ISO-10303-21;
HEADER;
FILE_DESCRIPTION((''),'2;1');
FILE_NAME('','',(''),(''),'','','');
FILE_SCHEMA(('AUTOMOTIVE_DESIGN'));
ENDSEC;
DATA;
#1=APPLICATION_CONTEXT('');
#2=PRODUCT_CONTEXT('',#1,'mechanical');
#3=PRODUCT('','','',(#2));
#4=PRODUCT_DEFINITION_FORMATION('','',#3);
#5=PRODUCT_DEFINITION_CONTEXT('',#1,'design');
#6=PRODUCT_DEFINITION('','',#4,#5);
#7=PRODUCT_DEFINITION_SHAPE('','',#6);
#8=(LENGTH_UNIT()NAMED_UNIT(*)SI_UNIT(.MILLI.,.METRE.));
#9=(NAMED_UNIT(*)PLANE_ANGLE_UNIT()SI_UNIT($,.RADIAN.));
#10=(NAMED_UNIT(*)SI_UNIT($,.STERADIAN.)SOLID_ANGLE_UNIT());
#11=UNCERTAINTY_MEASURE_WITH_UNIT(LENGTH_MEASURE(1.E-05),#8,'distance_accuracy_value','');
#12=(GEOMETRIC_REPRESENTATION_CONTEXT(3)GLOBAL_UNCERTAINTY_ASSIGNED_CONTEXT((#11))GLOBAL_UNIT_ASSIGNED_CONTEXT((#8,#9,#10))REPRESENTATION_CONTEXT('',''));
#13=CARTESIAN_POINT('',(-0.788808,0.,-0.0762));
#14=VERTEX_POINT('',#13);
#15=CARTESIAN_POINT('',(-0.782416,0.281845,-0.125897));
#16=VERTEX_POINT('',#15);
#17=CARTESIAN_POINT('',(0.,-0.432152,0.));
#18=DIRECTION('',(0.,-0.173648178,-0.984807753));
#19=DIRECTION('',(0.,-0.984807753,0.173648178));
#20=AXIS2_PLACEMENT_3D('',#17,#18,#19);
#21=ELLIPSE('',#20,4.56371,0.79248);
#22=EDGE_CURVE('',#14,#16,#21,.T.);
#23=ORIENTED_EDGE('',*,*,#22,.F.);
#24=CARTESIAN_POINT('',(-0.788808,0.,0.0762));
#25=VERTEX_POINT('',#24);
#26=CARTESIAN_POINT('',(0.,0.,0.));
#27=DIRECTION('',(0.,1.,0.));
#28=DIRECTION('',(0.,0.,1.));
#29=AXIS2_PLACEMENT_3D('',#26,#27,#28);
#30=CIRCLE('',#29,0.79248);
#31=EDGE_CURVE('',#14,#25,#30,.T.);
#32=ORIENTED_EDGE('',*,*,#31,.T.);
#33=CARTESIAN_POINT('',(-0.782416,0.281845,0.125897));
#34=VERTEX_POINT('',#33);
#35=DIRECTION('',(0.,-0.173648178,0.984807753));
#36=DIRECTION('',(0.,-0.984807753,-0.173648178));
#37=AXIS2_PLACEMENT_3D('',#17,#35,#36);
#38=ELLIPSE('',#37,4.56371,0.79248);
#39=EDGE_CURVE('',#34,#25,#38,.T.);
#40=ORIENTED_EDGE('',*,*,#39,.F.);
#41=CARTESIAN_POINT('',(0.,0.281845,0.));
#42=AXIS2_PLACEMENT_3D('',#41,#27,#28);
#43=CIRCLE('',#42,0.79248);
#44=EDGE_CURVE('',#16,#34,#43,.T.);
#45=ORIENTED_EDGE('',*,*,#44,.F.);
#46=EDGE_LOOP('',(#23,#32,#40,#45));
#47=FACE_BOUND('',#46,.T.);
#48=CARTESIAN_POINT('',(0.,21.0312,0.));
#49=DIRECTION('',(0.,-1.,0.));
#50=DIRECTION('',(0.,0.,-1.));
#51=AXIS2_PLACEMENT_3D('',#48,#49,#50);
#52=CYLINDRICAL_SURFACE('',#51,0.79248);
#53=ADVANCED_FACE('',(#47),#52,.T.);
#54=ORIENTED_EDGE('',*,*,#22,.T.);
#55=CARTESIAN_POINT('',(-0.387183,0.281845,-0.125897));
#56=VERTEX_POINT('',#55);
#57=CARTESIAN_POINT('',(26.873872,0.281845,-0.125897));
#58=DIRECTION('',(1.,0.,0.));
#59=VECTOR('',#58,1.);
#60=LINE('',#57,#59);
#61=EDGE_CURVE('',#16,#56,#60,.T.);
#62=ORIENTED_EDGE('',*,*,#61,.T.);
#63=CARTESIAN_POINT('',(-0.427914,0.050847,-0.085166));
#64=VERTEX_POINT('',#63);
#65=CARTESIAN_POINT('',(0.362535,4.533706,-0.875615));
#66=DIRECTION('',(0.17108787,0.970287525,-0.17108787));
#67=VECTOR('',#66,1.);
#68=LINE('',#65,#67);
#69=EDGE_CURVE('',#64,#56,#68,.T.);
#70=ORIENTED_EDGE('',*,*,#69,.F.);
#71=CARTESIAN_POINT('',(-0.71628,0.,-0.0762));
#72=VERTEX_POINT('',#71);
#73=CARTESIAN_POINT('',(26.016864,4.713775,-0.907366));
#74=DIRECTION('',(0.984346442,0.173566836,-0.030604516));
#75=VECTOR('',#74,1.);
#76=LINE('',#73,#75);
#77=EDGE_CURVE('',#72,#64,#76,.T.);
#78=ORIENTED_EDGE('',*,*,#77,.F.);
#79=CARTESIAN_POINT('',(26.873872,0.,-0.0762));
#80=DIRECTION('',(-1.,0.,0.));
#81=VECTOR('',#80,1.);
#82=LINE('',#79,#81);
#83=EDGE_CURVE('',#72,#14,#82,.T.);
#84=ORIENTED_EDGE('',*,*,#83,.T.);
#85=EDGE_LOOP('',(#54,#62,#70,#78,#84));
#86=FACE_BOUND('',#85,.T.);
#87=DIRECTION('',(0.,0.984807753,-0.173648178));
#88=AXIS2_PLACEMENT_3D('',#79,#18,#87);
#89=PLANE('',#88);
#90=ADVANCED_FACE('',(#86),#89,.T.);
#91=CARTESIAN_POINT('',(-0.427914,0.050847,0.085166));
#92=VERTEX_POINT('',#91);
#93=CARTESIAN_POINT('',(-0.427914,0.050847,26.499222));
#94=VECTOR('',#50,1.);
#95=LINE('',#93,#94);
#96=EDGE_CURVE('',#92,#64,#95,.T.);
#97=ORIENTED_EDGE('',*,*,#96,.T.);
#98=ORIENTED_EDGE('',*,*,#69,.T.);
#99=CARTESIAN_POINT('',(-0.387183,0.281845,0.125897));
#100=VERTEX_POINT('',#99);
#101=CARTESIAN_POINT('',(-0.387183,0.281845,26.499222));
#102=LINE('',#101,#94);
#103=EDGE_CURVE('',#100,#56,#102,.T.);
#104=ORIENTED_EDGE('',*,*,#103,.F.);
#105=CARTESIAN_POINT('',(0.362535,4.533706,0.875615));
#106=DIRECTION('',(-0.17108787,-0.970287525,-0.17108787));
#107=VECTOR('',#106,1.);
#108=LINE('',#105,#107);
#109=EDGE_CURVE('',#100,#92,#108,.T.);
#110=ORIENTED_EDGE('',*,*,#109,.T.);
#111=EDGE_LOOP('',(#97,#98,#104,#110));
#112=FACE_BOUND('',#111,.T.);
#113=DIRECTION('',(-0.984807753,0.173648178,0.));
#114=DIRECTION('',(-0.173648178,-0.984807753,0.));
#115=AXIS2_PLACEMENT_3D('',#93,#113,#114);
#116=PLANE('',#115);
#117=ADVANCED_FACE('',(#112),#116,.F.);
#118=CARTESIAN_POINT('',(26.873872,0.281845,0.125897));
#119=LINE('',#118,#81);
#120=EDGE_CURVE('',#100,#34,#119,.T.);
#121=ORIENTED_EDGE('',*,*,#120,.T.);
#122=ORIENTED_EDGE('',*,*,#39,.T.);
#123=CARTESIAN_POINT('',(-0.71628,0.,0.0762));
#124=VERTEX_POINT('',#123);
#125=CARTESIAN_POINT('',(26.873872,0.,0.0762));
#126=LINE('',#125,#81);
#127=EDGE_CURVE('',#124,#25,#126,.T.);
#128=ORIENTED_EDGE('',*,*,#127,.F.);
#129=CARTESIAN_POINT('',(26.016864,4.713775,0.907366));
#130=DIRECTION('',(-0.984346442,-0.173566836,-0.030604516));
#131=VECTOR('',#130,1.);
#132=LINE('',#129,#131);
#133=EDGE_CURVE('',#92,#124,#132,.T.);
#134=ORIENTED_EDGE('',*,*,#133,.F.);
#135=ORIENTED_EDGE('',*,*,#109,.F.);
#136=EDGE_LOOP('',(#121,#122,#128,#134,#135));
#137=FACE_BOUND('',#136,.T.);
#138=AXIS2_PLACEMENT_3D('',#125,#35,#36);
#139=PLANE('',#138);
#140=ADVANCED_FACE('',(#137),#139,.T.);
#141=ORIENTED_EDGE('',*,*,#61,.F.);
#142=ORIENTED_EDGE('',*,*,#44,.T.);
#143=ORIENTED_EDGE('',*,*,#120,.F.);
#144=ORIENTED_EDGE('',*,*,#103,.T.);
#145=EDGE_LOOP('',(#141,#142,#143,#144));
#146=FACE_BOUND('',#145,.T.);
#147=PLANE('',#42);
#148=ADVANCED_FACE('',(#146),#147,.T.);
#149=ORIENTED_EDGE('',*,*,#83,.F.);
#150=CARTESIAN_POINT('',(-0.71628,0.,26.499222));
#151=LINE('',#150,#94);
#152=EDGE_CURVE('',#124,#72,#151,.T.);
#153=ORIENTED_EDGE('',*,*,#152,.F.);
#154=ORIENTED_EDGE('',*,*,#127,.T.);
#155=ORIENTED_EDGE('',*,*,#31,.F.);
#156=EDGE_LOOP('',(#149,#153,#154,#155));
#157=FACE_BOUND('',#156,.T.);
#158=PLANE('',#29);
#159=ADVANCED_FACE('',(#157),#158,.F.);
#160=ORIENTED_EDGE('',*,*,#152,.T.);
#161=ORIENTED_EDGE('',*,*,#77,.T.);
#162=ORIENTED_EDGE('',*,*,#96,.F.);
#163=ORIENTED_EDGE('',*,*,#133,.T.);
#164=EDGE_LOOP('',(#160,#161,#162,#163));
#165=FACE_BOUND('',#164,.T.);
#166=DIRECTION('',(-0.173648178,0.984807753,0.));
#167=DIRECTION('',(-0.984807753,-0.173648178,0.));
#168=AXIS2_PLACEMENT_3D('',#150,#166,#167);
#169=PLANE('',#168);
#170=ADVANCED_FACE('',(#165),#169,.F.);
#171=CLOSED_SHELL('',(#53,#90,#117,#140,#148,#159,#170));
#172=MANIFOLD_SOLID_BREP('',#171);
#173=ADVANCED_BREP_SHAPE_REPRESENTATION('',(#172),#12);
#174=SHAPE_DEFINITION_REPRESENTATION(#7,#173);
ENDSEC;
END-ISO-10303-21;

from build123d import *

# Parameters (mm, degrees)
TD_SKETCH_R                           = 0.79248
TL_FEATURE_DEPTH                      = 21.0312
TDF_180_DEG_REV_SKETCH_W              = 1.60495996
TDF_180_DEG_REV_SKETCH_H              = 1.60495996
TDF_180_DEG_REV_FEATURE_DEPTH         = 22.061040395
ISA_20_180_DEG_REV_FEATURE_DEPTH      = 22.061040395
ISA_20_180_DEG_REV_FEATURE_DEPTH_BACK = 22.061040395
F_10BA_180_DEG_REV_FEATURE_DEPTH      = 22.061040395
F_10BA_180_DEG_REV_FEATURE_DEPTH_BACK = 22.061040395


with BuildPart() as part:
    # TD_sketch → TL_feature (new body)
    with BuildSketch(Plane(origin=(0, 0, 0), x_dir=(1, 0, 0), z_dir=(0, 1, 0))):
        with Locations(Location((0, 0, 0), (0, 0, 270))):
            Circle(TD_SKETCH_R)
    extrude(amount=TL_FEATURE_DEPTH)

    # TDF_180_DEG_REV_sketch → TDF_180_DEG_REV_feature (cut, through all)
    with BuildSketch(Plane(origin=(0, 0, 0), x_dir=(1, 0, 0), z_dir=(0, 1, 0))):
        with Locations((1.17839998, 0)):
            Rectangle(TDF_180_DEG_REV_SKETCH_W, TDF_180_DEG_REV_SKETCH_H)
    extrude(amount=TDF_180_DEG_REV_FEATURE_DEPTH, mode=Mode.SUBTRACT)

    # ISA_20_180_DEG_REV_sketch → ISA_20_180_DEG_REV_feature (cut, two sides: drawn at the far end of the back side and taken through both)
    with BuildSketch(Plane(origin=(0, 0, 0), x_dir=(0, 0, -1), z_dir=(1, 0, 0)).offset(-ISA_20_180_DEG_REV_FEATURE_DEPTH_BACK)):
        Polygon((-12.996080373, 73.27228267), (-3.784567997, 21.0312), (-0.0762, 0), (0.0762, 0), (3.784567997, 21.0312), (12.996080373, 73.27228267), (12.996080373, -32.821688483), (-12.996080373, -32.821688483), align=None)
    extrude(amount=ISA_20_180_DEG_REV_FEATURE_DEPTH + ISA_20_180_DEG_REV_FEATURE_DEPTH_BACK, mode=Mode.SUBTRACT)

    # 10BA_180_DEG_REV_sketch → 10BA_180_DEG_REV_feature (cut, two sides: drawn at the far end of the back side and taken through both)
    with BuildSketch(Plane.XY.offset(-F_10BA_180_DEG_REV_FEATURE_DEPTH_BACK)):
        Polygon((-53.632984634, 0), (-0.79248, 0), (-0.71628, 0), (-0.427914365, 0.050846642), (3.271487997, 21.0312), (12.447145333, 73.068938636), (90.829329802, 2.18375769), (24.749199835, -70.885180946), align=None)
    extrude(amount=F_10BA_180_DEG_REV_FEATURE_DEPTH + F_10BA_180_DEG_REV_FEATURE_DEPTH_BACK, mode=Mode.SUBTRACT)

    # cut_feature
    split(bisect_by=Plane(origin=(0, 0.281844732, 0), x_dir=(1, 0, 0), z_dir=(0, 1, 0)), keep=Keep.BOTTOM)


solid = part.part
